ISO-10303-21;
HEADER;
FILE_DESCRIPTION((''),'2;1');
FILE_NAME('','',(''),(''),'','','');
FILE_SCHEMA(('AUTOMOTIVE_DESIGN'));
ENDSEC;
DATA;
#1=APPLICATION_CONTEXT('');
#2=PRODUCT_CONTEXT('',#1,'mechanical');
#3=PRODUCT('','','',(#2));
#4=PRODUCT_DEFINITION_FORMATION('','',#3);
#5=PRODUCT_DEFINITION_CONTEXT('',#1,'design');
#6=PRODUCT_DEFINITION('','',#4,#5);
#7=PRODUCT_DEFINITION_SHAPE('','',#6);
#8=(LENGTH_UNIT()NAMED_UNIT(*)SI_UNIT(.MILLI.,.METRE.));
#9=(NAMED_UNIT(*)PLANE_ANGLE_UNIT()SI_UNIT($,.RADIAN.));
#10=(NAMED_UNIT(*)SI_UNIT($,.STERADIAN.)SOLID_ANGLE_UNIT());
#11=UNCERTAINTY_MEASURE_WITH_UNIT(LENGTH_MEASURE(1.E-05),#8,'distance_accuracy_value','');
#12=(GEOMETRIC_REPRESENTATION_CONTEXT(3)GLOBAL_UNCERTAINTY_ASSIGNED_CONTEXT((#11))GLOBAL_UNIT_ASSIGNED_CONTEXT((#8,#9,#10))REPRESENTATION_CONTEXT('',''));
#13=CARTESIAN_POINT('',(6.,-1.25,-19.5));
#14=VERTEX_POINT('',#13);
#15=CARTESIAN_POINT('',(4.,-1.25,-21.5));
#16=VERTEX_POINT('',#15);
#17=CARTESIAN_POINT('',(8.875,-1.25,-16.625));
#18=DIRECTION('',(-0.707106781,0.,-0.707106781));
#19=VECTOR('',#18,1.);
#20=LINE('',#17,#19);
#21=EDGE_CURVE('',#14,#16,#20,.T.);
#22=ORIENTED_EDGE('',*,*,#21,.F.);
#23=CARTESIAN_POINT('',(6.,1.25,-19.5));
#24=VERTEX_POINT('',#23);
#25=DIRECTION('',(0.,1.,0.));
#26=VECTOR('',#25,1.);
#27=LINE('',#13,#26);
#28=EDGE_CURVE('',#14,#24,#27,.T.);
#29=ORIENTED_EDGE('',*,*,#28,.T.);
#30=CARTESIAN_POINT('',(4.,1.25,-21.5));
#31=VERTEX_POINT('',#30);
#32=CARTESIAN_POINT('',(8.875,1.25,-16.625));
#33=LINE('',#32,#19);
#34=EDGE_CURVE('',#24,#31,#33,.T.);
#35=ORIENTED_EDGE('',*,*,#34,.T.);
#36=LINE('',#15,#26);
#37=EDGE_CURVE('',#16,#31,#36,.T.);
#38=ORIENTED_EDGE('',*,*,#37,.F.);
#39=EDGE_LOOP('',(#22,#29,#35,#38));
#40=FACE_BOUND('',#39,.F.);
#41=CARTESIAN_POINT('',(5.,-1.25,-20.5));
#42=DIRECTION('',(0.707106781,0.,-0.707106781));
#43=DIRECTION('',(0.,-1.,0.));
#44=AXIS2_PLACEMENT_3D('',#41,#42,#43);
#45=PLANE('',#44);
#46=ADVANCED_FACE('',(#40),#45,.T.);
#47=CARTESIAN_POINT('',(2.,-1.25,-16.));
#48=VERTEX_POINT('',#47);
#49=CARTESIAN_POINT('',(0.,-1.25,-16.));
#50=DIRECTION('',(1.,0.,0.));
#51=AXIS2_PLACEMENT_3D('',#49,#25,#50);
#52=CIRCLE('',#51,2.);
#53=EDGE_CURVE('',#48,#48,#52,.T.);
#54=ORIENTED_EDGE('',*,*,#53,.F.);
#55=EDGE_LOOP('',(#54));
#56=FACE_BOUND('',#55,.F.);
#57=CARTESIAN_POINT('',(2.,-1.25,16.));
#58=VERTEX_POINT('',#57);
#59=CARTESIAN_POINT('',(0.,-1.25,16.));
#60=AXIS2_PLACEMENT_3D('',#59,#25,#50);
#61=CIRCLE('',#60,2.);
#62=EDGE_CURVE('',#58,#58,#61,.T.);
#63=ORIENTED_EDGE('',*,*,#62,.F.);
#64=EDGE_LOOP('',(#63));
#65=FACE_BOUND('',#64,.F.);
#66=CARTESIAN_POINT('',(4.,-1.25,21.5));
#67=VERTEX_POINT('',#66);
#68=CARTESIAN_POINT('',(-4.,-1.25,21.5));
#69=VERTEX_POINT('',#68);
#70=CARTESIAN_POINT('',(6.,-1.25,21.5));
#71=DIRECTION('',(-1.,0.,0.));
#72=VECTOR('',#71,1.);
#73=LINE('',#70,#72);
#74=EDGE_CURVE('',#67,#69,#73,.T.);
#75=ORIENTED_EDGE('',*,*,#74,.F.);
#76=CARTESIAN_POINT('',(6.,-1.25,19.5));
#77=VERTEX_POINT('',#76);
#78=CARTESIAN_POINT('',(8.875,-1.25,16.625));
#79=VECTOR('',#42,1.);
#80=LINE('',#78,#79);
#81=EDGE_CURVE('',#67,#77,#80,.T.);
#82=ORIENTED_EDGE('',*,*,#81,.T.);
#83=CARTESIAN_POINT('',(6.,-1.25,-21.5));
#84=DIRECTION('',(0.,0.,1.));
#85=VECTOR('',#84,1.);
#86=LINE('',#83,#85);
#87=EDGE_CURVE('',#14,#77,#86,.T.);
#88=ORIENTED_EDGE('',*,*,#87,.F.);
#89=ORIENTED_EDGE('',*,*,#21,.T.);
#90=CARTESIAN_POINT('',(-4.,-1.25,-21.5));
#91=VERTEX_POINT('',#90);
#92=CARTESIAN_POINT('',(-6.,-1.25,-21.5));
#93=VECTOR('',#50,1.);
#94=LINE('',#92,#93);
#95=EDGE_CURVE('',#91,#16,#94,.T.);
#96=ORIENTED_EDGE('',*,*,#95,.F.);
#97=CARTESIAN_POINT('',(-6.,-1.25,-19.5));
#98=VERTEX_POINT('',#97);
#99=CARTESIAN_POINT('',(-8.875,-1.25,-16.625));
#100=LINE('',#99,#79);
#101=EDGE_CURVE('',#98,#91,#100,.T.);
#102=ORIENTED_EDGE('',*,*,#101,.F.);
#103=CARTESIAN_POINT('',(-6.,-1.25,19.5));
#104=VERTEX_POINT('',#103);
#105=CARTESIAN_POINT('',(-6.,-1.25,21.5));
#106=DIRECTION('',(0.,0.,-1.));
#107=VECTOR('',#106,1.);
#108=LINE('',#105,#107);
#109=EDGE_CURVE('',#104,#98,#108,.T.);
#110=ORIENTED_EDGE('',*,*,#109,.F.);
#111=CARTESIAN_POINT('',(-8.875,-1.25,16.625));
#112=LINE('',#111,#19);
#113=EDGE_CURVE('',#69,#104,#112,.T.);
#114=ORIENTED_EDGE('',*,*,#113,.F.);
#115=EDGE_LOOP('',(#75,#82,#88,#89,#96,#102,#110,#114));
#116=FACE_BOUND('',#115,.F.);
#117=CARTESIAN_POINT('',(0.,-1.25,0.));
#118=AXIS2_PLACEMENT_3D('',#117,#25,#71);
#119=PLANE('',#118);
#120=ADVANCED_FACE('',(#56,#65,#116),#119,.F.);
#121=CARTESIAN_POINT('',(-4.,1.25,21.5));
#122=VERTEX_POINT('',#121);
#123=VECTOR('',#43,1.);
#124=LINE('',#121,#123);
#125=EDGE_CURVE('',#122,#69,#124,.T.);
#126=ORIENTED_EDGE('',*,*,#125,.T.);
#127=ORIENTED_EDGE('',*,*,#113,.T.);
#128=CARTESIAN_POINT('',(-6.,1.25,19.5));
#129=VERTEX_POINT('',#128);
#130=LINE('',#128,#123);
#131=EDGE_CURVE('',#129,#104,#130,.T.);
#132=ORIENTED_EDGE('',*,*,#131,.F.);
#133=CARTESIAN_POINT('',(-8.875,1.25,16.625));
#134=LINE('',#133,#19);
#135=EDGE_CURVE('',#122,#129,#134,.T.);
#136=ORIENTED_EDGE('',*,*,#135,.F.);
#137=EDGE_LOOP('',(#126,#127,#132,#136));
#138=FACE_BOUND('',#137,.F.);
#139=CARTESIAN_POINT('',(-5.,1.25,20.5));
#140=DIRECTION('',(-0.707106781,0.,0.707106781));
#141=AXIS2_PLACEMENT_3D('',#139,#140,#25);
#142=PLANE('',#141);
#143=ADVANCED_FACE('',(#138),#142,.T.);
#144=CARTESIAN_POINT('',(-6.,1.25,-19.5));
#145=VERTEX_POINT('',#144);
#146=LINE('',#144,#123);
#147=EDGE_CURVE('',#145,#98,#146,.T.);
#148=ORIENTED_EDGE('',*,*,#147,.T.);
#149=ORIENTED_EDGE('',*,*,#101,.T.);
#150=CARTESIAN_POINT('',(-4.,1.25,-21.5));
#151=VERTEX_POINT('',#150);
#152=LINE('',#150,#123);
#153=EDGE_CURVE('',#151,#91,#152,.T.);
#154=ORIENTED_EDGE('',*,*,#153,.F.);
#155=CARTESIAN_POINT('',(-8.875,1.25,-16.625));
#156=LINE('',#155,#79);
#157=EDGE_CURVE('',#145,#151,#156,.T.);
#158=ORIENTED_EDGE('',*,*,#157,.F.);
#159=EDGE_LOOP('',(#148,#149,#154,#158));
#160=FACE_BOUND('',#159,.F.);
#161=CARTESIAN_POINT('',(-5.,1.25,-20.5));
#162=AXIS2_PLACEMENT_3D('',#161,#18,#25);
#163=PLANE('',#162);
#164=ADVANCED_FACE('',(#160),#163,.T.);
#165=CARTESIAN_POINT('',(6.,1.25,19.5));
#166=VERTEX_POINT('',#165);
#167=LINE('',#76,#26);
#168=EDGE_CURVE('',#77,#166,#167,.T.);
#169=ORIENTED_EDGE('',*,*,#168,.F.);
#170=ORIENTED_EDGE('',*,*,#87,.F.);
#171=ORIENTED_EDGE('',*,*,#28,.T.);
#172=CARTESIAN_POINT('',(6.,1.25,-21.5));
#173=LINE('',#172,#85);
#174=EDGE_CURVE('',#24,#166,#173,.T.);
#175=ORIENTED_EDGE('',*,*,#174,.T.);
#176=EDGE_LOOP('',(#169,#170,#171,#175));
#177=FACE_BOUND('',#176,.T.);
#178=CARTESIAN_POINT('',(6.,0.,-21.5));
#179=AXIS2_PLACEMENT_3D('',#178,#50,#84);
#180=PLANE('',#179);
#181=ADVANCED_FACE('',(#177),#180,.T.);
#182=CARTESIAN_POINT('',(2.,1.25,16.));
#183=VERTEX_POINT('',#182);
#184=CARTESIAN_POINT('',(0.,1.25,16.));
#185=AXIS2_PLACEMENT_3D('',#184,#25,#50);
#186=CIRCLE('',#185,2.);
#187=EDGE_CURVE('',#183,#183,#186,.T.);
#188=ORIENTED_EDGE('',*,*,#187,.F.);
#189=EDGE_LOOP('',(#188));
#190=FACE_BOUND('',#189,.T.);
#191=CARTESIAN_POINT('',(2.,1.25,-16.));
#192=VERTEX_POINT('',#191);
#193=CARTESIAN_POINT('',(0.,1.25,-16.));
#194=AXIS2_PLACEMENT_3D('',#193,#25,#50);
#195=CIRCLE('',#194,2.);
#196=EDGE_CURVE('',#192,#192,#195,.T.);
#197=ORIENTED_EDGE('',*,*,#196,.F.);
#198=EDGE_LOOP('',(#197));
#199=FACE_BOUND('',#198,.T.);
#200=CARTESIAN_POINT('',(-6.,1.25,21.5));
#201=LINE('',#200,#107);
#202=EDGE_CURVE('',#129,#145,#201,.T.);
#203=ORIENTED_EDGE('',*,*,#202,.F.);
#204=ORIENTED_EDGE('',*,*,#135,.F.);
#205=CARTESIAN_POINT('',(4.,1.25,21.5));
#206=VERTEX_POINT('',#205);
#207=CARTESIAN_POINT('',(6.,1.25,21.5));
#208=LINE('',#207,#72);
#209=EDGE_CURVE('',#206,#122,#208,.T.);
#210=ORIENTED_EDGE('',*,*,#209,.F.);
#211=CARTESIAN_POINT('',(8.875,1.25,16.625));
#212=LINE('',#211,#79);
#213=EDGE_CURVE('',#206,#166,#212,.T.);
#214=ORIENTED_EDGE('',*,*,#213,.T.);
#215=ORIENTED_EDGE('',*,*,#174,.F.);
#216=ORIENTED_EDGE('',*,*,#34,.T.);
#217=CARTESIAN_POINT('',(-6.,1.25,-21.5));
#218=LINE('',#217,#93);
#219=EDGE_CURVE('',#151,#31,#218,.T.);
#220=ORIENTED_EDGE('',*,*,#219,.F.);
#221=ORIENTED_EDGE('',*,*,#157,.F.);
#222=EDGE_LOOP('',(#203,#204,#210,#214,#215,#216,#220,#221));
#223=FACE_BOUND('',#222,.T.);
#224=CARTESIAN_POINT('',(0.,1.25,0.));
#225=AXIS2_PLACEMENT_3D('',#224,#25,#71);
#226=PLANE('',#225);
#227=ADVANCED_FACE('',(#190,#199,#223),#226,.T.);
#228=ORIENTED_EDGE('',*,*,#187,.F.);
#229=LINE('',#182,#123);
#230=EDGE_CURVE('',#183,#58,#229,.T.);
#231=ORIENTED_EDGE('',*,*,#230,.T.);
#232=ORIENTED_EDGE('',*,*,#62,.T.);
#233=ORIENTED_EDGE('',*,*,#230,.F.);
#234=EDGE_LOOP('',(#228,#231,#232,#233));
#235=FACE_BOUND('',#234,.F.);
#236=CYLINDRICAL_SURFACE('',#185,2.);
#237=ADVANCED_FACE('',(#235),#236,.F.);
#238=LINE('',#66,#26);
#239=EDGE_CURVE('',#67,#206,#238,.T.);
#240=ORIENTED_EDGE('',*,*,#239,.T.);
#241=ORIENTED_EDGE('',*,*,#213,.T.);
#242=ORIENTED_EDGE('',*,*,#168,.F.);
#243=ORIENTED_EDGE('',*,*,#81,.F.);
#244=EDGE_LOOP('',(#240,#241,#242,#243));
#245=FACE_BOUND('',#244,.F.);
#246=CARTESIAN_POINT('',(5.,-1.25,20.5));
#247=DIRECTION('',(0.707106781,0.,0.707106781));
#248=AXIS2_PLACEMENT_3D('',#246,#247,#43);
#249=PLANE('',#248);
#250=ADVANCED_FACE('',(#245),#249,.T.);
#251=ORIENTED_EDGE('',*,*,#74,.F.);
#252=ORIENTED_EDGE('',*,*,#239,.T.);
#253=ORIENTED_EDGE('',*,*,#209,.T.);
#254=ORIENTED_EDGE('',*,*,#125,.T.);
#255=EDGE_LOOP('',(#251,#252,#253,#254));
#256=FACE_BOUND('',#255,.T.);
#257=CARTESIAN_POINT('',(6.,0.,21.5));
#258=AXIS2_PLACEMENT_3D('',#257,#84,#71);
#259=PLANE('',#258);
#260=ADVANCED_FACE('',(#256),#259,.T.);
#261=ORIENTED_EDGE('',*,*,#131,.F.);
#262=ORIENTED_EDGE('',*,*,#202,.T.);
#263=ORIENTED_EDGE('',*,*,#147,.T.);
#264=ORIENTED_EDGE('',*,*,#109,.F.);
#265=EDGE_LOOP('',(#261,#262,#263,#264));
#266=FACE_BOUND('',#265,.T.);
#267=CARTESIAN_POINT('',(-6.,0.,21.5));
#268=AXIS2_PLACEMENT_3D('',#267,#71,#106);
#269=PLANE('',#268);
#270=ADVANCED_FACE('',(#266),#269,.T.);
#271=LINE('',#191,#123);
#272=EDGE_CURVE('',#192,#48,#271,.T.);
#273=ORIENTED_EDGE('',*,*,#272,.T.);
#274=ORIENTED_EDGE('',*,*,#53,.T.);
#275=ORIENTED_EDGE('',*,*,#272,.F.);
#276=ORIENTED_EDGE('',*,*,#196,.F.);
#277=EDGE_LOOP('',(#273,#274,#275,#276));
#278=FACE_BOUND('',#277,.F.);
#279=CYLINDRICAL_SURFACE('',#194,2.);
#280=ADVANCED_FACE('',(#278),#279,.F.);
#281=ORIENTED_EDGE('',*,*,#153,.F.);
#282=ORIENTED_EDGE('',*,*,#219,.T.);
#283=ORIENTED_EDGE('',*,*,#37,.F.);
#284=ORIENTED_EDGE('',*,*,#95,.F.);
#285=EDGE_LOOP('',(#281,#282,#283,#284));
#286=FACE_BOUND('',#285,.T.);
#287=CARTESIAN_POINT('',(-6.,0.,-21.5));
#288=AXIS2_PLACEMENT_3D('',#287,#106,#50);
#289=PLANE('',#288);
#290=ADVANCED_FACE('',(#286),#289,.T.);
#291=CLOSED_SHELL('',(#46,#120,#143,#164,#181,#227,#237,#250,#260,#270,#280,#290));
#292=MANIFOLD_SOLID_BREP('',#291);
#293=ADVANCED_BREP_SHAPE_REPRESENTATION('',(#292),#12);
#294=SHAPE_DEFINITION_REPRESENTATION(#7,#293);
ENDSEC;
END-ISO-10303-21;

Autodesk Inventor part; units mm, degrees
ref_plane "YZ Plane" through (0, 0, 0) normal (1, 0, 0) x (0, 1, 0)
ref_plane "XZ Plane" through (0, 0, 0) normal (0, 1, 0) x (-1, 0, 0)
ref_plane "XY Plane" through (0, 0, 0) normal (0, 0, 1) x (1, 0, 0)
sketch "Sketch1" plane through (0, 0, 0) normal (0, 1, 0) x (-1, 0, 0)
  line L0 (-6, 21.5) -> (6, 21.5)
  line L1 (6, 21.5) -> (6, -21.5)
  line L2 (6, -21.5) -> (-6, -21.5)
  line L3 (-6, -21.5) -> (-6, 21.5)
  line L4 (-6, 21.5) -> (6, -21.5) construction
  line L5 (6, 21.5) -> (-6, -21.5) construction
  point P0 (0, 0)
  dimension "d0" = 12
  dimension "d1" = 43
extrude "Extrusion1" add sketch "Sketch1" along normal mid plane 2.5
sketch "Sketch2" plane through (0, 1.25, 0) normal (0, 1, 0) x (1, 0, 0)
  circle A0 centre (0, -16) radius 2
  line L0 (6, 21.5) -> (-6, 21.5) construction
  line L1 (-6, 21.5) -> (-6, -21.5) construction
  line L2 (-6, -21.5) -> (6, -21.5) construction
  line L3 (6, -21.5) -> (6, 21.5) construction
  line L4 (-6, 21.5) -> (-6, -21.5) construction
  line L5 (-6, 0) -> (6, 0) construction
  circle A1 centre (0, 16) radius 2
  point P0 (0, 0)
  dimension "d4" = 4
  dimension "d5" = 16
extrude "Extrusion2" cut sketch "Sketch2" against normal through all
chamfer "Chamfer1" distance 2 angle 45 4 edges at (-6, 0, 21.5) (6, 0, 21.5) (6, 0, -21.5) (-6, 0, -21.5)
properties part number "ArmMotorSpacer"
